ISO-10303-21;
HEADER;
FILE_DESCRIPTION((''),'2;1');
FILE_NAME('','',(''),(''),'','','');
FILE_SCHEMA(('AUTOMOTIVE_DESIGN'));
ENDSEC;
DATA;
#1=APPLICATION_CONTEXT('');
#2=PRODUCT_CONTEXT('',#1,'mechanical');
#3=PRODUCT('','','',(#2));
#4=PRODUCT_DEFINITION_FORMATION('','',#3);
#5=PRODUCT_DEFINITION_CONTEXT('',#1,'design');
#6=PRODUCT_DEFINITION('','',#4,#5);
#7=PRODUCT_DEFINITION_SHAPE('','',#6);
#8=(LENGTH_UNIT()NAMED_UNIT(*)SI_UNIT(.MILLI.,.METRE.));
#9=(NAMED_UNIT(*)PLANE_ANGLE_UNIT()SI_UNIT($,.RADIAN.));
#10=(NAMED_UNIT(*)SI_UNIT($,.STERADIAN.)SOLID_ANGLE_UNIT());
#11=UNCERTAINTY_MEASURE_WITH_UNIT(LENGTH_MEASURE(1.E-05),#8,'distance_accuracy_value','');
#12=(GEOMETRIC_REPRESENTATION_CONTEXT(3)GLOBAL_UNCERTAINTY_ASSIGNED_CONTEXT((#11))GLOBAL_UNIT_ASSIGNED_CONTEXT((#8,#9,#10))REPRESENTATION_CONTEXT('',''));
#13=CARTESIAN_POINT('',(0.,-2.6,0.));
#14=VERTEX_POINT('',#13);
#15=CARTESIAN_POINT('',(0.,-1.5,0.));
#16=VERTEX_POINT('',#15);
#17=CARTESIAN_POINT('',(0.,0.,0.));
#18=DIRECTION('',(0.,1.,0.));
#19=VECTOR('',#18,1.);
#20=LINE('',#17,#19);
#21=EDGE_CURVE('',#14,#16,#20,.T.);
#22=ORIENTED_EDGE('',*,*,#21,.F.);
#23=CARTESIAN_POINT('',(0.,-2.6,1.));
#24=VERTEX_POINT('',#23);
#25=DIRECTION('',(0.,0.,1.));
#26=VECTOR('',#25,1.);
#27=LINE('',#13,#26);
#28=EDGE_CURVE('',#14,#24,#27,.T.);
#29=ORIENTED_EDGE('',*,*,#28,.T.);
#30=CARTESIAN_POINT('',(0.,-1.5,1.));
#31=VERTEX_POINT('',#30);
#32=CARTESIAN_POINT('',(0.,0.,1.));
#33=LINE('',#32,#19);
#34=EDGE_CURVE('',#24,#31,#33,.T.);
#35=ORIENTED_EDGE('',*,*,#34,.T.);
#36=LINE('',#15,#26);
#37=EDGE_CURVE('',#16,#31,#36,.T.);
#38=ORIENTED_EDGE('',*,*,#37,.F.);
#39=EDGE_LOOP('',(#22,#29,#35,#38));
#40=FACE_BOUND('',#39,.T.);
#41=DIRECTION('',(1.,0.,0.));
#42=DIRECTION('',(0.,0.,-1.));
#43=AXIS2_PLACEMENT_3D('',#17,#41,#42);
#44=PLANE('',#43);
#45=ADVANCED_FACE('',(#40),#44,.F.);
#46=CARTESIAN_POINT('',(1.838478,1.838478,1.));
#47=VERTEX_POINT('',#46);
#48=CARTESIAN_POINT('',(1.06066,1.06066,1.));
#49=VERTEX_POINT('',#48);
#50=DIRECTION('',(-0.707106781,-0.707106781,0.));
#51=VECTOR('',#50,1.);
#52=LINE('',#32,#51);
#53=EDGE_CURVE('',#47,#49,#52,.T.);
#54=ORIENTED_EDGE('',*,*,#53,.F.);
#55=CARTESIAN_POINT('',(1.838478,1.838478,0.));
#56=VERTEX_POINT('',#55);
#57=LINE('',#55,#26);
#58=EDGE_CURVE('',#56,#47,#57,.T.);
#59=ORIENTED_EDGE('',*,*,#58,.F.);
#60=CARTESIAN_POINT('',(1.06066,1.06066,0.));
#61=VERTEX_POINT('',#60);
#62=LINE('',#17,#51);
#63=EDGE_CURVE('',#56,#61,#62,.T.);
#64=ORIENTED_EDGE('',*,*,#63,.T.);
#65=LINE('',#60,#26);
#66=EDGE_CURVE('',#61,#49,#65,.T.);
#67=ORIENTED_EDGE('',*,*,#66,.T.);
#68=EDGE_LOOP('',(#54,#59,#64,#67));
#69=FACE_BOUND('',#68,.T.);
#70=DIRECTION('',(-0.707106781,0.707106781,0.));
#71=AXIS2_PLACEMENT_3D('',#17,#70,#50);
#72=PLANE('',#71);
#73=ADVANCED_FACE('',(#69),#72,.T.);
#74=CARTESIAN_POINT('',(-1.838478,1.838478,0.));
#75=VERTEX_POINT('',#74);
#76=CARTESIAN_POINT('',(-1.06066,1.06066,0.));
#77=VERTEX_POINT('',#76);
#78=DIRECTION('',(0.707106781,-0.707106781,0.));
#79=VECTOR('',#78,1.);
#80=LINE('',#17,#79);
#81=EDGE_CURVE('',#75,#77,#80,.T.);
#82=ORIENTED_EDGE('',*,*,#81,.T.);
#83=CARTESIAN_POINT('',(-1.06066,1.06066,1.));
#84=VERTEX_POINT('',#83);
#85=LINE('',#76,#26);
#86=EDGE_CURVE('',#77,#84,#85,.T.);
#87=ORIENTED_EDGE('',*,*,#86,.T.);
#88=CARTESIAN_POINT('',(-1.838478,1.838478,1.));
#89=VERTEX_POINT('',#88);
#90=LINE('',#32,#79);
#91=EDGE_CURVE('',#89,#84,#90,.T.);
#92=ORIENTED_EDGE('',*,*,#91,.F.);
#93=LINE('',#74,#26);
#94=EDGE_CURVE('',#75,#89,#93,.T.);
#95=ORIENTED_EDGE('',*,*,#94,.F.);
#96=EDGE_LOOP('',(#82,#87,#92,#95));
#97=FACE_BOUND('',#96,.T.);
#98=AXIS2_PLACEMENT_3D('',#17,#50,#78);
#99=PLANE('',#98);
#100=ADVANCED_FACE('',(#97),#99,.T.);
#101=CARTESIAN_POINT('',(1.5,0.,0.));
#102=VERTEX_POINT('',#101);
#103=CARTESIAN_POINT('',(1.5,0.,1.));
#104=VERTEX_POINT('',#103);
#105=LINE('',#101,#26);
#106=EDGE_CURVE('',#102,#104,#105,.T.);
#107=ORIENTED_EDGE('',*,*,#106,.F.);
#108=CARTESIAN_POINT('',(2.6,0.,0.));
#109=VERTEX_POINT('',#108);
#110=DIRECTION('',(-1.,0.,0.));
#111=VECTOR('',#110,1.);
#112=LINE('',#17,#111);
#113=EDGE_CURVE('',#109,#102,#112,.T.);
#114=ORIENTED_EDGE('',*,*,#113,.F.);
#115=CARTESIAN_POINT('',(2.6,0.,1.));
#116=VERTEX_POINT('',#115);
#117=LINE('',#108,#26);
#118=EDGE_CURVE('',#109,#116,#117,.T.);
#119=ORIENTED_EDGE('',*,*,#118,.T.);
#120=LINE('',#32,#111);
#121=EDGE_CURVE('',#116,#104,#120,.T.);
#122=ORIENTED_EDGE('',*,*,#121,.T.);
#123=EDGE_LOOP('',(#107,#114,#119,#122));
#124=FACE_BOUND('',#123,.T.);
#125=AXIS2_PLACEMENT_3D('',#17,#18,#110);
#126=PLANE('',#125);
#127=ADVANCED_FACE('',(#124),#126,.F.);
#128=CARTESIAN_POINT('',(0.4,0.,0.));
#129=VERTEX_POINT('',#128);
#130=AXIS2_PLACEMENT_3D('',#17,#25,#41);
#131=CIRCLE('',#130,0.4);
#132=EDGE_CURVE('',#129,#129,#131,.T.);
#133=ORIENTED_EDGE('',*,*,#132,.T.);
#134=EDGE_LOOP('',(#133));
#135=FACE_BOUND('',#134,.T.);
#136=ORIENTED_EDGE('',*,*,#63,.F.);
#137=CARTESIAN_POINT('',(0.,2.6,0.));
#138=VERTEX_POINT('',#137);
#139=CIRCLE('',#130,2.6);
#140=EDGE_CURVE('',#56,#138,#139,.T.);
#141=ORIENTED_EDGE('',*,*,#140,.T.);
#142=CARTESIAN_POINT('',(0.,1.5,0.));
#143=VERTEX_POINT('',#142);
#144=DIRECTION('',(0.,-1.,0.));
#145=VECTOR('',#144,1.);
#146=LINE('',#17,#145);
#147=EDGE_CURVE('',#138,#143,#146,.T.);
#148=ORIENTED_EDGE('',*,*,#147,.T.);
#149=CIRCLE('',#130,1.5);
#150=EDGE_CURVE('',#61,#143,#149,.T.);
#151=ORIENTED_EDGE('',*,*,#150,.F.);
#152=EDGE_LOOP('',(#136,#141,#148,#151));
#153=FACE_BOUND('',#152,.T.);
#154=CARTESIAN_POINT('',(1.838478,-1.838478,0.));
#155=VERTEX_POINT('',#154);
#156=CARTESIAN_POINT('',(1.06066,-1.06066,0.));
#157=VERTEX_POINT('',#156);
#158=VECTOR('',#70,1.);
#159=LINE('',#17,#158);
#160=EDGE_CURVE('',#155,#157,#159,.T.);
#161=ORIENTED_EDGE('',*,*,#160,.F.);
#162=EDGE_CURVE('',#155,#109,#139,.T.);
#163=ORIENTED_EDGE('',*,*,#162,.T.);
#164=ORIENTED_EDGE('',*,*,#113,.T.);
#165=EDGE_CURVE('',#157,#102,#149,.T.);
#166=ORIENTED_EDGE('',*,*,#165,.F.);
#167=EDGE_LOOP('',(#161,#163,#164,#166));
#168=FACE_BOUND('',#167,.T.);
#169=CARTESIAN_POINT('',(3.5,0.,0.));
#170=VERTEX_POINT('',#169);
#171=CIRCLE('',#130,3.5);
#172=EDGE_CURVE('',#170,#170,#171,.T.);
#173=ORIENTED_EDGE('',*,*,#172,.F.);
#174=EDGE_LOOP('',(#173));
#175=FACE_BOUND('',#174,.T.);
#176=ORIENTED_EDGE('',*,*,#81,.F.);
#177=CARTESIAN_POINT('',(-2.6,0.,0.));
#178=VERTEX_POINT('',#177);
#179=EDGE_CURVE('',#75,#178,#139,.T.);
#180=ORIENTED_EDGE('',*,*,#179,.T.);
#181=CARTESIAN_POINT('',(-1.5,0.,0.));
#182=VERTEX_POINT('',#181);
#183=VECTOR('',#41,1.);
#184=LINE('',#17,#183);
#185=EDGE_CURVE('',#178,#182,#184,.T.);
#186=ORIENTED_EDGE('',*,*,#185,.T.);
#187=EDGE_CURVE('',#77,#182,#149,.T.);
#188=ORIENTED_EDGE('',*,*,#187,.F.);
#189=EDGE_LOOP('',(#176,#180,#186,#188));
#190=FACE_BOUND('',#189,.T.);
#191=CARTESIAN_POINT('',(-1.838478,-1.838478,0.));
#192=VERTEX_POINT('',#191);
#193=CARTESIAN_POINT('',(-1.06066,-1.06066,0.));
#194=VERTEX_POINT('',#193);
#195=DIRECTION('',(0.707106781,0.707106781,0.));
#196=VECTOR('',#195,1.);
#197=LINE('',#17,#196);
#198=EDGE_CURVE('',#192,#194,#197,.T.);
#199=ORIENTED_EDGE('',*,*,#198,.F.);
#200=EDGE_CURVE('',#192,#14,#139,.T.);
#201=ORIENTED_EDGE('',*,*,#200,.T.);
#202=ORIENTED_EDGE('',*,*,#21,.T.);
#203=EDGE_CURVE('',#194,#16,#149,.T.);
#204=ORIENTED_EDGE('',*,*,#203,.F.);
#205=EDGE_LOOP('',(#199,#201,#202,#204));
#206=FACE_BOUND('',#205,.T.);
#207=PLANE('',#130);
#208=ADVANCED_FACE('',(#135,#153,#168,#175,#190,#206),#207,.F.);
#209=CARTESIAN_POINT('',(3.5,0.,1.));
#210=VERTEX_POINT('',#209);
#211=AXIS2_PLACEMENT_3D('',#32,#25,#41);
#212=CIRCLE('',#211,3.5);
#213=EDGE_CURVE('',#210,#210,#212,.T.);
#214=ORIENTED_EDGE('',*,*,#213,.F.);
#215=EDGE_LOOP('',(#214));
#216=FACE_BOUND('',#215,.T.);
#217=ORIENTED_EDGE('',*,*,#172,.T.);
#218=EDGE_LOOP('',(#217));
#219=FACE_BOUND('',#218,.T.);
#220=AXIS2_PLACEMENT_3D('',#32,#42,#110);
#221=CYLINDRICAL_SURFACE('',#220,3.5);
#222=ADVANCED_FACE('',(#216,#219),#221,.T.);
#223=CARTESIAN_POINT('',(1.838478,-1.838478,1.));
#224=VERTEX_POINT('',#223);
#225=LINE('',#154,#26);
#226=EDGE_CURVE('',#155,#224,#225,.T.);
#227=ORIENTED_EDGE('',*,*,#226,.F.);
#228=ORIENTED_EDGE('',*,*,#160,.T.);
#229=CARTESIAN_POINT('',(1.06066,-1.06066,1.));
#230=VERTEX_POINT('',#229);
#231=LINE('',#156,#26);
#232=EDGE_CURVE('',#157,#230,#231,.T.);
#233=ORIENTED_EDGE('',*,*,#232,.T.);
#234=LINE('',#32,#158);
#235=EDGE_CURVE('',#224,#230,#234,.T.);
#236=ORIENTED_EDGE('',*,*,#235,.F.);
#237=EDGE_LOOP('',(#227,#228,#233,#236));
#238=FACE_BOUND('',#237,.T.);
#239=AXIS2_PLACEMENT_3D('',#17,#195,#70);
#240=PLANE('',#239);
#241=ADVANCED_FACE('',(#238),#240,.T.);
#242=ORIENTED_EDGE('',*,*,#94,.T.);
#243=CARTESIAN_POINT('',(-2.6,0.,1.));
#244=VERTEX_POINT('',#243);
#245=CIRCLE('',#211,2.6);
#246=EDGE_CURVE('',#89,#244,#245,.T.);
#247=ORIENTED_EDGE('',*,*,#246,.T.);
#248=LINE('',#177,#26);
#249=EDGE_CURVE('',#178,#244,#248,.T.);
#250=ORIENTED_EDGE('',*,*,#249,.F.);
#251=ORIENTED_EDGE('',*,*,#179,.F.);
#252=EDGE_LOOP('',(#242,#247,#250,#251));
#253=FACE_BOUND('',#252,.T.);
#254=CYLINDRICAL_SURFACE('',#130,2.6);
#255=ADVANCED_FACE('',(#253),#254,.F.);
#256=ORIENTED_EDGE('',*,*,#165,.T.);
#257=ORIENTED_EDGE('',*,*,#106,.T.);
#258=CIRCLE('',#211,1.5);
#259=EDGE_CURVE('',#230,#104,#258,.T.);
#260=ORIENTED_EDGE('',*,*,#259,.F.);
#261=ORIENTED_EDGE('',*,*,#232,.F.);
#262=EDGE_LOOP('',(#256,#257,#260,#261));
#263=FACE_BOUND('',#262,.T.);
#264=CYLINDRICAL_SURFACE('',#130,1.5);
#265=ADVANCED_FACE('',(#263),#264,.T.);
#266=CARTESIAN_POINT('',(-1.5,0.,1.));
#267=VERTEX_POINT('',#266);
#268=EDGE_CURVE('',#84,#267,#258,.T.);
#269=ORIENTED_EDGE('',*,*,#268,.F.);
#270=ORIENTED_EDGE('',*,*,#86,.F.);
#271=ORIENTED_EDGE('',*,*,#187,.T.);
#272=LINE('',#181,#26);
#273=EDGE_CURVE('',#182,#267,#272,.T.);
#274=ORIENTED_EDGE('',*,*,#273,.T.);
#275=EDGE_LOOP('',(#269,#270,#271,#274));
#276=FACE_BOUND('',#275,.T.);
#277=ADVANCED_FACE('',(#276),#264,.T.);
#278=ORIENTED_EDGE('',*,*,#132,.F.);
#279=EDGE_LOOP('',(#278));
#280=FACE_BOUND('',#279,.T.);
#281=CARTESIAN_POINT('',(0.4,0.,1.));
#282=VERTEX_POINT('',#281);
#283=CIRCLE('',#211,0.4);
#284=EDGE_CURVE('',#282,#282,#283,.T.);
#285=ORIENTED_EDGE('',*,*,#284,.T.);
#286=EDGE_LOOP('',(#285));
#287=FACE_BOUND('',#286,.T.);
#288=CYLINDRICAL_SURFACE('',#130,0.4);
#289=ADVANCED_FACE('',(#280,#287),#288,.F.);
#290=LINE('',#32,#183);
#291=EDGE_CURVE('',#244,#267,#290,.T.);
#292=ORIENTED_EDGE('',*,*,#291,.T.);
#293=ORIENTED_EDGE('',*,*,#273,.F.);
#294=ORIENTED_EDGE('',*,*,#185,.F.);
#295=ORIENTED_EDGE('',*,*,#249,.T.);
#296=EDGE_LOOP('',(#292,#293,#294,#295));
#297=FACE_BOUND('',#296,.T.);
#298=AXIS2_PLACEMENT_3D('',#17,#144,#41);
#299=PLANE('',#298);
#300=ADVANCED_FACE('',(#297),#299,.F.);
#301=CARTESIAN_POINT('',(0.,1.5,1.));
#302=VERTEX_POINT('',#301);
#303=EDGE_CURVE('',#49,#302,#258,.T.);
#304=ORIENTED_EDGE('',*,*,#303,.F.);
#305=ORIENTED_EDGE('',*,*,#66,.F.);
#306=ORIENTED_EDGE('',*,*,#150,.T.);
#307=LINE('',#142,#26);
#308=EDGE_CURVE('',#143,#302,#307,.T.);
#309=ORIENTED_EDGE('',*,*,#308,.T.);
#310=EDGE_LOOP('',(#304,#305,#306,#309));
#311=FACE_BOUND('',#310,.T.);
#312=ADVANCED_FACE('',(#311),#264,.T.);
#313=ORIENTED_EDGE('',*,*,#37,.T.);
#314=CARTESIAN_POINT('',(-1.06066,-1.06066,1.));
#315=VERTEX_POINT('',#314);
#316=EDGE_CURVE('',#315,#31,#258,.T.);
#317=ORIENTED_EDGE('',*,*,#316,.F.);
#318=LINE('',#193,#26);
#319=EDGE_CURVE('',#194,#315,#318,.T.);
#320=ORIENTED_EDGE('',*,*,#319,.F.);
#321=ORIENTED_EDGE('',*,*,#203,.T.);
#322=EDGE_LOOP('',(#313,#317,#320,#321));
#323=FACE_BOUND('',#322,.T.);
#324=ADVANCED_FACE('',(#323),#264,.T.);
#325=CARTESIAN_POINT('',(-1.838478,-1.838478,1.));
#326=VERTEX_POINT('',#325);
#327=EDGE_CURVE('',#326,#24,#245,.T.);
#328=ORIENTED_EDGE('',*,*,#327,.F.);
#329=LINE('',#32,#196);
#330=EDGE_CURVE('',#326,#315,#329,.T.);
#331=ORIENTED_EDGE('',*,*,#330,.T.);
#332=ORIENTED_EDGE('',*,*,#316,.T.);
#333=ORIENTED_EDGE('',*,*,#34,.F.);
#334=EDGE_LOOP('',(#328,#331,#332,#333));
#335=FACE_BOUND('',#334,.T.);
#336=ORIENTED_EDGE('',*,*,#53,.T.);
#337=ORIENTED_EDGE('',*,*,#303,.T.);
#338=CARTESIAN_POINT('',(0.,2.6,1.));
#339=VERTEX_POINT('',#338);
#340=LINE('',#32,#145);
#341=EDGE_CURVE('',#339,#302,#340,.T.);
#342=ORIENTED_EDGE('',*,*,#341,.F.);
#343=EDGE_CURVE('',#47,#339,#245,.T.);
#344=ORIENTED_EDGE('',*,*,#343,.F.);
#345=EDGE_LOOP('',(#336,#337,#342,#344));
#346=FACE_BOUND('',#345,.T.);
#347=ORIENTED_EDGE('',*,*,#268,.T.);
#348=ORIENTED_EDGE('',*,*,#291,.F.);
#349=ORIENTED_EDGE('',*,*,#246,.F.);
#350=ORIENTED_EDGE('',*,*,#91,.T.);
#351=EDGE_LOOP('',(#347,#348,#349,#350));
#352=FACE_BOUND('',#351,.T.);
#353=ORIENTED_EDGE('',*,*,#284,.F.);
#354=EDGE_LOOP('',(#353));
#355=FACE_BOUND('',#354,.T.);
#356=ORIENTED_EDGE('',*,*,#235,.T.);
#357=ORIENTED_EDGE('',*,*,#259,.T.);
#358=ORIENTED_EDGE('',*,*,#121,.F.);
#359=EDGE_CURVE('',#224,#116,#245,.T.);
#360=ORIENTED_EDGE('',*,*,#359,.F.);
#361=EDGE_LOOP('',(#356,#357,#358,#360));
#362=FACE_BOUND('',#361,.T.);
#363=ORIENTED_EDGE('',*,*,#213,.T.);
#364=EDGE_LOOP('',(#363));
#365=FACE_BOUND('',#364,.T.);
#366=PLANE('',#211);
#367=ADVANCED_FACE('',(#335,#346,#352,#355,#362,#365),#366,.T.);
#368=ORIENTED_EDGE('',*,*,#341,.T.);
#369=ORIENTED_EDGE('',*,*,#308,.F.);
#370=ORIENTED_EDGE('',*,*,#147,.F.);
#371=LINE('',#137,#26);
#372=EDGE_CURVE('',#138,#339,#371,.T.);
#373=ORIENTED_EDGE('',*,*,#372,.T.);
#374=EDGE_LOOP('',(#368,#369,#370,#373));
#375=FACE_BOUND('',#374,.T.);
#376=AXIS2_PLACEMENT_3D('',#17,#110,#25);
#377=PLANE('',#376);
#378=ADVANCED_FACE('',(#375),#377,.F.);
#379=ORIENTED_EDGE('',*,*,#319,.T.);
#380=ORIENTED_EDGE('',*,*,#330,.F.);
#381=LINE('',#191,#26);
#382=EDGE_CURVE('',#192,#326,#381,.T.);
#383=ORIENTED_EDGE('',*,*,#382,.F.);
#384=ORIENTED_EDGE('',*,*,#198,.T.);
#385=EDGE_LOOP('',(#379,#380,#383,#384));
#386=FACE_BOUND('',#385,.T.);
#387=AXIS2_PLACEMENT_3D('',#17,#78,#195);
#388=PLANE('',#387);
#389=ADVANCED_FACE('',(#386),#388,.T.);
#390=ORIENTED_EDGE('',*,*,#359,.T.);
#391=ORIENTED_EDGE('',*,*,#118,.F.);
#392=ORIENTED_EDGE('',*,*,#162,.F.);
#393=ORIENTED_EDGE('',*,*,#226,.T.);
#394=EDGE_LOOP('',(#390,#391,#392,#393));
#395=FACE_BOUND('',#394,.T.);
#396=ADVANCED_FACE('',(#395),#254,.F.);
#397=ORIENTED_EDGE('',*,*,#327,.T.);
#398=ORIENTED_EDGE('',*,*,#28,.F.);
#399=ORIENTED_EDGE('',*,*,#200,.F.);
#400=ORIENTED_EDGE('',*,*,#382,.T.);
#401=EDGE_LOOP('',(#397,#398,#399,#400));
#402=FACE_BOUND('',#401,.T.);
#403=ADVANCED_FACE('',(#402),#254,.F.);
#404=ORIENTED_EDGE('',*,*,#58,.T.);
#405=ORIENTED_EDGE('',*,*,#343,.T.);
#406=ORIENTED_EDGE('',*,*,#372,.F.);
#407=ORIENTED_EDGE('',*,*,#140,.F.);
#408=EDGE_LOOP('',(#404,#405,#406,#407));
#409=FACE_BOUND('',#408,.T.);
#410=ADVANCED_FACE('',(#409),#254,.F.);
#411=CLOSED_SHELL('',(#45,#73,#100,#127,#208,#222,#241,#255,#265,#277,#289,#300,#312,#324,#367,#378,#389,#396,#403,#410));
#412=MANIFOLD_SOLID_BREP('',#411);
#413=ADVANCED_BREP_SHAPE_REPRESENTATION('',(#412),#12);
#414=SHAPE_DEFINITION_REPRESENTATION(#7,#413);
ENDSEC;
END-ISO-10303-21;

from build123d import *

# Parameters (mm, degrees)
SKETCH2_R           = 3.5
BOSS_EXTRUDE1_DEPTH = 1
SKETCH4_R           = 0.4
CUT_EXTRUDE2_DEPTH  = 6.049752469
CUT_EXTRUDE3_DEPTH  = 6.049752469
CIRPATTERN1_COUNT   = 4


with BuildPart() as part:
    # Sketch2 → Boss-Extrude1 (new body)
    with BuildSketch(Plane.XY):
        Circle(SKETCH2_R)
    extrude(amount=BOSS_EXTRUDE1_DEPTH)

    # Sketch4 → Cut-Extrude2 (cut, through all)
    with BuildSketch(Plane.XY.offset(1)):
        Circle(SKETCH4_R)
    extrude(amount=-CUT_EXTRUDE2_DEPTH, mode=Mode.SUBTRACT)

    # Sketch5 → Cut-Extrude3 (cut, through all)
    with BuildSketch(Plane.XY.offset(1)):
        with BuildLine():
            Line((-1.060660172, -1.060660172), (-1.838477631, -1.838477631))
            ThreePointArc((-1.838477631, -1.838477631), (-0.994976924, -2.402086785), (0, -2.6))
            Line((0, -2.6), (0, -1.5))
            ThreePointArc((0, -1.5), (-0.574025149, -1.385819299), (-1.060660172, -1.060660172))
        make_face()
    cut_extrude3 = extrude(amount=-CUT_EXTRUDE3_DEPTH, mode=Mode.SUBTRACT)

    # CirPattern1: Cut-Extrude3 ×4 about axis
    cirpattern1_axis = Axis((0, 0, 1), (0, 0, 1))
    for i in range(1, CIRPATTERN1_COUNT):
        add(cut_extrude3.rotate(cirpattern1_axis, i * 360 / CIRPATTERN1_COUNT), mode=Mode.SUBTRACT)


solid = part.part
